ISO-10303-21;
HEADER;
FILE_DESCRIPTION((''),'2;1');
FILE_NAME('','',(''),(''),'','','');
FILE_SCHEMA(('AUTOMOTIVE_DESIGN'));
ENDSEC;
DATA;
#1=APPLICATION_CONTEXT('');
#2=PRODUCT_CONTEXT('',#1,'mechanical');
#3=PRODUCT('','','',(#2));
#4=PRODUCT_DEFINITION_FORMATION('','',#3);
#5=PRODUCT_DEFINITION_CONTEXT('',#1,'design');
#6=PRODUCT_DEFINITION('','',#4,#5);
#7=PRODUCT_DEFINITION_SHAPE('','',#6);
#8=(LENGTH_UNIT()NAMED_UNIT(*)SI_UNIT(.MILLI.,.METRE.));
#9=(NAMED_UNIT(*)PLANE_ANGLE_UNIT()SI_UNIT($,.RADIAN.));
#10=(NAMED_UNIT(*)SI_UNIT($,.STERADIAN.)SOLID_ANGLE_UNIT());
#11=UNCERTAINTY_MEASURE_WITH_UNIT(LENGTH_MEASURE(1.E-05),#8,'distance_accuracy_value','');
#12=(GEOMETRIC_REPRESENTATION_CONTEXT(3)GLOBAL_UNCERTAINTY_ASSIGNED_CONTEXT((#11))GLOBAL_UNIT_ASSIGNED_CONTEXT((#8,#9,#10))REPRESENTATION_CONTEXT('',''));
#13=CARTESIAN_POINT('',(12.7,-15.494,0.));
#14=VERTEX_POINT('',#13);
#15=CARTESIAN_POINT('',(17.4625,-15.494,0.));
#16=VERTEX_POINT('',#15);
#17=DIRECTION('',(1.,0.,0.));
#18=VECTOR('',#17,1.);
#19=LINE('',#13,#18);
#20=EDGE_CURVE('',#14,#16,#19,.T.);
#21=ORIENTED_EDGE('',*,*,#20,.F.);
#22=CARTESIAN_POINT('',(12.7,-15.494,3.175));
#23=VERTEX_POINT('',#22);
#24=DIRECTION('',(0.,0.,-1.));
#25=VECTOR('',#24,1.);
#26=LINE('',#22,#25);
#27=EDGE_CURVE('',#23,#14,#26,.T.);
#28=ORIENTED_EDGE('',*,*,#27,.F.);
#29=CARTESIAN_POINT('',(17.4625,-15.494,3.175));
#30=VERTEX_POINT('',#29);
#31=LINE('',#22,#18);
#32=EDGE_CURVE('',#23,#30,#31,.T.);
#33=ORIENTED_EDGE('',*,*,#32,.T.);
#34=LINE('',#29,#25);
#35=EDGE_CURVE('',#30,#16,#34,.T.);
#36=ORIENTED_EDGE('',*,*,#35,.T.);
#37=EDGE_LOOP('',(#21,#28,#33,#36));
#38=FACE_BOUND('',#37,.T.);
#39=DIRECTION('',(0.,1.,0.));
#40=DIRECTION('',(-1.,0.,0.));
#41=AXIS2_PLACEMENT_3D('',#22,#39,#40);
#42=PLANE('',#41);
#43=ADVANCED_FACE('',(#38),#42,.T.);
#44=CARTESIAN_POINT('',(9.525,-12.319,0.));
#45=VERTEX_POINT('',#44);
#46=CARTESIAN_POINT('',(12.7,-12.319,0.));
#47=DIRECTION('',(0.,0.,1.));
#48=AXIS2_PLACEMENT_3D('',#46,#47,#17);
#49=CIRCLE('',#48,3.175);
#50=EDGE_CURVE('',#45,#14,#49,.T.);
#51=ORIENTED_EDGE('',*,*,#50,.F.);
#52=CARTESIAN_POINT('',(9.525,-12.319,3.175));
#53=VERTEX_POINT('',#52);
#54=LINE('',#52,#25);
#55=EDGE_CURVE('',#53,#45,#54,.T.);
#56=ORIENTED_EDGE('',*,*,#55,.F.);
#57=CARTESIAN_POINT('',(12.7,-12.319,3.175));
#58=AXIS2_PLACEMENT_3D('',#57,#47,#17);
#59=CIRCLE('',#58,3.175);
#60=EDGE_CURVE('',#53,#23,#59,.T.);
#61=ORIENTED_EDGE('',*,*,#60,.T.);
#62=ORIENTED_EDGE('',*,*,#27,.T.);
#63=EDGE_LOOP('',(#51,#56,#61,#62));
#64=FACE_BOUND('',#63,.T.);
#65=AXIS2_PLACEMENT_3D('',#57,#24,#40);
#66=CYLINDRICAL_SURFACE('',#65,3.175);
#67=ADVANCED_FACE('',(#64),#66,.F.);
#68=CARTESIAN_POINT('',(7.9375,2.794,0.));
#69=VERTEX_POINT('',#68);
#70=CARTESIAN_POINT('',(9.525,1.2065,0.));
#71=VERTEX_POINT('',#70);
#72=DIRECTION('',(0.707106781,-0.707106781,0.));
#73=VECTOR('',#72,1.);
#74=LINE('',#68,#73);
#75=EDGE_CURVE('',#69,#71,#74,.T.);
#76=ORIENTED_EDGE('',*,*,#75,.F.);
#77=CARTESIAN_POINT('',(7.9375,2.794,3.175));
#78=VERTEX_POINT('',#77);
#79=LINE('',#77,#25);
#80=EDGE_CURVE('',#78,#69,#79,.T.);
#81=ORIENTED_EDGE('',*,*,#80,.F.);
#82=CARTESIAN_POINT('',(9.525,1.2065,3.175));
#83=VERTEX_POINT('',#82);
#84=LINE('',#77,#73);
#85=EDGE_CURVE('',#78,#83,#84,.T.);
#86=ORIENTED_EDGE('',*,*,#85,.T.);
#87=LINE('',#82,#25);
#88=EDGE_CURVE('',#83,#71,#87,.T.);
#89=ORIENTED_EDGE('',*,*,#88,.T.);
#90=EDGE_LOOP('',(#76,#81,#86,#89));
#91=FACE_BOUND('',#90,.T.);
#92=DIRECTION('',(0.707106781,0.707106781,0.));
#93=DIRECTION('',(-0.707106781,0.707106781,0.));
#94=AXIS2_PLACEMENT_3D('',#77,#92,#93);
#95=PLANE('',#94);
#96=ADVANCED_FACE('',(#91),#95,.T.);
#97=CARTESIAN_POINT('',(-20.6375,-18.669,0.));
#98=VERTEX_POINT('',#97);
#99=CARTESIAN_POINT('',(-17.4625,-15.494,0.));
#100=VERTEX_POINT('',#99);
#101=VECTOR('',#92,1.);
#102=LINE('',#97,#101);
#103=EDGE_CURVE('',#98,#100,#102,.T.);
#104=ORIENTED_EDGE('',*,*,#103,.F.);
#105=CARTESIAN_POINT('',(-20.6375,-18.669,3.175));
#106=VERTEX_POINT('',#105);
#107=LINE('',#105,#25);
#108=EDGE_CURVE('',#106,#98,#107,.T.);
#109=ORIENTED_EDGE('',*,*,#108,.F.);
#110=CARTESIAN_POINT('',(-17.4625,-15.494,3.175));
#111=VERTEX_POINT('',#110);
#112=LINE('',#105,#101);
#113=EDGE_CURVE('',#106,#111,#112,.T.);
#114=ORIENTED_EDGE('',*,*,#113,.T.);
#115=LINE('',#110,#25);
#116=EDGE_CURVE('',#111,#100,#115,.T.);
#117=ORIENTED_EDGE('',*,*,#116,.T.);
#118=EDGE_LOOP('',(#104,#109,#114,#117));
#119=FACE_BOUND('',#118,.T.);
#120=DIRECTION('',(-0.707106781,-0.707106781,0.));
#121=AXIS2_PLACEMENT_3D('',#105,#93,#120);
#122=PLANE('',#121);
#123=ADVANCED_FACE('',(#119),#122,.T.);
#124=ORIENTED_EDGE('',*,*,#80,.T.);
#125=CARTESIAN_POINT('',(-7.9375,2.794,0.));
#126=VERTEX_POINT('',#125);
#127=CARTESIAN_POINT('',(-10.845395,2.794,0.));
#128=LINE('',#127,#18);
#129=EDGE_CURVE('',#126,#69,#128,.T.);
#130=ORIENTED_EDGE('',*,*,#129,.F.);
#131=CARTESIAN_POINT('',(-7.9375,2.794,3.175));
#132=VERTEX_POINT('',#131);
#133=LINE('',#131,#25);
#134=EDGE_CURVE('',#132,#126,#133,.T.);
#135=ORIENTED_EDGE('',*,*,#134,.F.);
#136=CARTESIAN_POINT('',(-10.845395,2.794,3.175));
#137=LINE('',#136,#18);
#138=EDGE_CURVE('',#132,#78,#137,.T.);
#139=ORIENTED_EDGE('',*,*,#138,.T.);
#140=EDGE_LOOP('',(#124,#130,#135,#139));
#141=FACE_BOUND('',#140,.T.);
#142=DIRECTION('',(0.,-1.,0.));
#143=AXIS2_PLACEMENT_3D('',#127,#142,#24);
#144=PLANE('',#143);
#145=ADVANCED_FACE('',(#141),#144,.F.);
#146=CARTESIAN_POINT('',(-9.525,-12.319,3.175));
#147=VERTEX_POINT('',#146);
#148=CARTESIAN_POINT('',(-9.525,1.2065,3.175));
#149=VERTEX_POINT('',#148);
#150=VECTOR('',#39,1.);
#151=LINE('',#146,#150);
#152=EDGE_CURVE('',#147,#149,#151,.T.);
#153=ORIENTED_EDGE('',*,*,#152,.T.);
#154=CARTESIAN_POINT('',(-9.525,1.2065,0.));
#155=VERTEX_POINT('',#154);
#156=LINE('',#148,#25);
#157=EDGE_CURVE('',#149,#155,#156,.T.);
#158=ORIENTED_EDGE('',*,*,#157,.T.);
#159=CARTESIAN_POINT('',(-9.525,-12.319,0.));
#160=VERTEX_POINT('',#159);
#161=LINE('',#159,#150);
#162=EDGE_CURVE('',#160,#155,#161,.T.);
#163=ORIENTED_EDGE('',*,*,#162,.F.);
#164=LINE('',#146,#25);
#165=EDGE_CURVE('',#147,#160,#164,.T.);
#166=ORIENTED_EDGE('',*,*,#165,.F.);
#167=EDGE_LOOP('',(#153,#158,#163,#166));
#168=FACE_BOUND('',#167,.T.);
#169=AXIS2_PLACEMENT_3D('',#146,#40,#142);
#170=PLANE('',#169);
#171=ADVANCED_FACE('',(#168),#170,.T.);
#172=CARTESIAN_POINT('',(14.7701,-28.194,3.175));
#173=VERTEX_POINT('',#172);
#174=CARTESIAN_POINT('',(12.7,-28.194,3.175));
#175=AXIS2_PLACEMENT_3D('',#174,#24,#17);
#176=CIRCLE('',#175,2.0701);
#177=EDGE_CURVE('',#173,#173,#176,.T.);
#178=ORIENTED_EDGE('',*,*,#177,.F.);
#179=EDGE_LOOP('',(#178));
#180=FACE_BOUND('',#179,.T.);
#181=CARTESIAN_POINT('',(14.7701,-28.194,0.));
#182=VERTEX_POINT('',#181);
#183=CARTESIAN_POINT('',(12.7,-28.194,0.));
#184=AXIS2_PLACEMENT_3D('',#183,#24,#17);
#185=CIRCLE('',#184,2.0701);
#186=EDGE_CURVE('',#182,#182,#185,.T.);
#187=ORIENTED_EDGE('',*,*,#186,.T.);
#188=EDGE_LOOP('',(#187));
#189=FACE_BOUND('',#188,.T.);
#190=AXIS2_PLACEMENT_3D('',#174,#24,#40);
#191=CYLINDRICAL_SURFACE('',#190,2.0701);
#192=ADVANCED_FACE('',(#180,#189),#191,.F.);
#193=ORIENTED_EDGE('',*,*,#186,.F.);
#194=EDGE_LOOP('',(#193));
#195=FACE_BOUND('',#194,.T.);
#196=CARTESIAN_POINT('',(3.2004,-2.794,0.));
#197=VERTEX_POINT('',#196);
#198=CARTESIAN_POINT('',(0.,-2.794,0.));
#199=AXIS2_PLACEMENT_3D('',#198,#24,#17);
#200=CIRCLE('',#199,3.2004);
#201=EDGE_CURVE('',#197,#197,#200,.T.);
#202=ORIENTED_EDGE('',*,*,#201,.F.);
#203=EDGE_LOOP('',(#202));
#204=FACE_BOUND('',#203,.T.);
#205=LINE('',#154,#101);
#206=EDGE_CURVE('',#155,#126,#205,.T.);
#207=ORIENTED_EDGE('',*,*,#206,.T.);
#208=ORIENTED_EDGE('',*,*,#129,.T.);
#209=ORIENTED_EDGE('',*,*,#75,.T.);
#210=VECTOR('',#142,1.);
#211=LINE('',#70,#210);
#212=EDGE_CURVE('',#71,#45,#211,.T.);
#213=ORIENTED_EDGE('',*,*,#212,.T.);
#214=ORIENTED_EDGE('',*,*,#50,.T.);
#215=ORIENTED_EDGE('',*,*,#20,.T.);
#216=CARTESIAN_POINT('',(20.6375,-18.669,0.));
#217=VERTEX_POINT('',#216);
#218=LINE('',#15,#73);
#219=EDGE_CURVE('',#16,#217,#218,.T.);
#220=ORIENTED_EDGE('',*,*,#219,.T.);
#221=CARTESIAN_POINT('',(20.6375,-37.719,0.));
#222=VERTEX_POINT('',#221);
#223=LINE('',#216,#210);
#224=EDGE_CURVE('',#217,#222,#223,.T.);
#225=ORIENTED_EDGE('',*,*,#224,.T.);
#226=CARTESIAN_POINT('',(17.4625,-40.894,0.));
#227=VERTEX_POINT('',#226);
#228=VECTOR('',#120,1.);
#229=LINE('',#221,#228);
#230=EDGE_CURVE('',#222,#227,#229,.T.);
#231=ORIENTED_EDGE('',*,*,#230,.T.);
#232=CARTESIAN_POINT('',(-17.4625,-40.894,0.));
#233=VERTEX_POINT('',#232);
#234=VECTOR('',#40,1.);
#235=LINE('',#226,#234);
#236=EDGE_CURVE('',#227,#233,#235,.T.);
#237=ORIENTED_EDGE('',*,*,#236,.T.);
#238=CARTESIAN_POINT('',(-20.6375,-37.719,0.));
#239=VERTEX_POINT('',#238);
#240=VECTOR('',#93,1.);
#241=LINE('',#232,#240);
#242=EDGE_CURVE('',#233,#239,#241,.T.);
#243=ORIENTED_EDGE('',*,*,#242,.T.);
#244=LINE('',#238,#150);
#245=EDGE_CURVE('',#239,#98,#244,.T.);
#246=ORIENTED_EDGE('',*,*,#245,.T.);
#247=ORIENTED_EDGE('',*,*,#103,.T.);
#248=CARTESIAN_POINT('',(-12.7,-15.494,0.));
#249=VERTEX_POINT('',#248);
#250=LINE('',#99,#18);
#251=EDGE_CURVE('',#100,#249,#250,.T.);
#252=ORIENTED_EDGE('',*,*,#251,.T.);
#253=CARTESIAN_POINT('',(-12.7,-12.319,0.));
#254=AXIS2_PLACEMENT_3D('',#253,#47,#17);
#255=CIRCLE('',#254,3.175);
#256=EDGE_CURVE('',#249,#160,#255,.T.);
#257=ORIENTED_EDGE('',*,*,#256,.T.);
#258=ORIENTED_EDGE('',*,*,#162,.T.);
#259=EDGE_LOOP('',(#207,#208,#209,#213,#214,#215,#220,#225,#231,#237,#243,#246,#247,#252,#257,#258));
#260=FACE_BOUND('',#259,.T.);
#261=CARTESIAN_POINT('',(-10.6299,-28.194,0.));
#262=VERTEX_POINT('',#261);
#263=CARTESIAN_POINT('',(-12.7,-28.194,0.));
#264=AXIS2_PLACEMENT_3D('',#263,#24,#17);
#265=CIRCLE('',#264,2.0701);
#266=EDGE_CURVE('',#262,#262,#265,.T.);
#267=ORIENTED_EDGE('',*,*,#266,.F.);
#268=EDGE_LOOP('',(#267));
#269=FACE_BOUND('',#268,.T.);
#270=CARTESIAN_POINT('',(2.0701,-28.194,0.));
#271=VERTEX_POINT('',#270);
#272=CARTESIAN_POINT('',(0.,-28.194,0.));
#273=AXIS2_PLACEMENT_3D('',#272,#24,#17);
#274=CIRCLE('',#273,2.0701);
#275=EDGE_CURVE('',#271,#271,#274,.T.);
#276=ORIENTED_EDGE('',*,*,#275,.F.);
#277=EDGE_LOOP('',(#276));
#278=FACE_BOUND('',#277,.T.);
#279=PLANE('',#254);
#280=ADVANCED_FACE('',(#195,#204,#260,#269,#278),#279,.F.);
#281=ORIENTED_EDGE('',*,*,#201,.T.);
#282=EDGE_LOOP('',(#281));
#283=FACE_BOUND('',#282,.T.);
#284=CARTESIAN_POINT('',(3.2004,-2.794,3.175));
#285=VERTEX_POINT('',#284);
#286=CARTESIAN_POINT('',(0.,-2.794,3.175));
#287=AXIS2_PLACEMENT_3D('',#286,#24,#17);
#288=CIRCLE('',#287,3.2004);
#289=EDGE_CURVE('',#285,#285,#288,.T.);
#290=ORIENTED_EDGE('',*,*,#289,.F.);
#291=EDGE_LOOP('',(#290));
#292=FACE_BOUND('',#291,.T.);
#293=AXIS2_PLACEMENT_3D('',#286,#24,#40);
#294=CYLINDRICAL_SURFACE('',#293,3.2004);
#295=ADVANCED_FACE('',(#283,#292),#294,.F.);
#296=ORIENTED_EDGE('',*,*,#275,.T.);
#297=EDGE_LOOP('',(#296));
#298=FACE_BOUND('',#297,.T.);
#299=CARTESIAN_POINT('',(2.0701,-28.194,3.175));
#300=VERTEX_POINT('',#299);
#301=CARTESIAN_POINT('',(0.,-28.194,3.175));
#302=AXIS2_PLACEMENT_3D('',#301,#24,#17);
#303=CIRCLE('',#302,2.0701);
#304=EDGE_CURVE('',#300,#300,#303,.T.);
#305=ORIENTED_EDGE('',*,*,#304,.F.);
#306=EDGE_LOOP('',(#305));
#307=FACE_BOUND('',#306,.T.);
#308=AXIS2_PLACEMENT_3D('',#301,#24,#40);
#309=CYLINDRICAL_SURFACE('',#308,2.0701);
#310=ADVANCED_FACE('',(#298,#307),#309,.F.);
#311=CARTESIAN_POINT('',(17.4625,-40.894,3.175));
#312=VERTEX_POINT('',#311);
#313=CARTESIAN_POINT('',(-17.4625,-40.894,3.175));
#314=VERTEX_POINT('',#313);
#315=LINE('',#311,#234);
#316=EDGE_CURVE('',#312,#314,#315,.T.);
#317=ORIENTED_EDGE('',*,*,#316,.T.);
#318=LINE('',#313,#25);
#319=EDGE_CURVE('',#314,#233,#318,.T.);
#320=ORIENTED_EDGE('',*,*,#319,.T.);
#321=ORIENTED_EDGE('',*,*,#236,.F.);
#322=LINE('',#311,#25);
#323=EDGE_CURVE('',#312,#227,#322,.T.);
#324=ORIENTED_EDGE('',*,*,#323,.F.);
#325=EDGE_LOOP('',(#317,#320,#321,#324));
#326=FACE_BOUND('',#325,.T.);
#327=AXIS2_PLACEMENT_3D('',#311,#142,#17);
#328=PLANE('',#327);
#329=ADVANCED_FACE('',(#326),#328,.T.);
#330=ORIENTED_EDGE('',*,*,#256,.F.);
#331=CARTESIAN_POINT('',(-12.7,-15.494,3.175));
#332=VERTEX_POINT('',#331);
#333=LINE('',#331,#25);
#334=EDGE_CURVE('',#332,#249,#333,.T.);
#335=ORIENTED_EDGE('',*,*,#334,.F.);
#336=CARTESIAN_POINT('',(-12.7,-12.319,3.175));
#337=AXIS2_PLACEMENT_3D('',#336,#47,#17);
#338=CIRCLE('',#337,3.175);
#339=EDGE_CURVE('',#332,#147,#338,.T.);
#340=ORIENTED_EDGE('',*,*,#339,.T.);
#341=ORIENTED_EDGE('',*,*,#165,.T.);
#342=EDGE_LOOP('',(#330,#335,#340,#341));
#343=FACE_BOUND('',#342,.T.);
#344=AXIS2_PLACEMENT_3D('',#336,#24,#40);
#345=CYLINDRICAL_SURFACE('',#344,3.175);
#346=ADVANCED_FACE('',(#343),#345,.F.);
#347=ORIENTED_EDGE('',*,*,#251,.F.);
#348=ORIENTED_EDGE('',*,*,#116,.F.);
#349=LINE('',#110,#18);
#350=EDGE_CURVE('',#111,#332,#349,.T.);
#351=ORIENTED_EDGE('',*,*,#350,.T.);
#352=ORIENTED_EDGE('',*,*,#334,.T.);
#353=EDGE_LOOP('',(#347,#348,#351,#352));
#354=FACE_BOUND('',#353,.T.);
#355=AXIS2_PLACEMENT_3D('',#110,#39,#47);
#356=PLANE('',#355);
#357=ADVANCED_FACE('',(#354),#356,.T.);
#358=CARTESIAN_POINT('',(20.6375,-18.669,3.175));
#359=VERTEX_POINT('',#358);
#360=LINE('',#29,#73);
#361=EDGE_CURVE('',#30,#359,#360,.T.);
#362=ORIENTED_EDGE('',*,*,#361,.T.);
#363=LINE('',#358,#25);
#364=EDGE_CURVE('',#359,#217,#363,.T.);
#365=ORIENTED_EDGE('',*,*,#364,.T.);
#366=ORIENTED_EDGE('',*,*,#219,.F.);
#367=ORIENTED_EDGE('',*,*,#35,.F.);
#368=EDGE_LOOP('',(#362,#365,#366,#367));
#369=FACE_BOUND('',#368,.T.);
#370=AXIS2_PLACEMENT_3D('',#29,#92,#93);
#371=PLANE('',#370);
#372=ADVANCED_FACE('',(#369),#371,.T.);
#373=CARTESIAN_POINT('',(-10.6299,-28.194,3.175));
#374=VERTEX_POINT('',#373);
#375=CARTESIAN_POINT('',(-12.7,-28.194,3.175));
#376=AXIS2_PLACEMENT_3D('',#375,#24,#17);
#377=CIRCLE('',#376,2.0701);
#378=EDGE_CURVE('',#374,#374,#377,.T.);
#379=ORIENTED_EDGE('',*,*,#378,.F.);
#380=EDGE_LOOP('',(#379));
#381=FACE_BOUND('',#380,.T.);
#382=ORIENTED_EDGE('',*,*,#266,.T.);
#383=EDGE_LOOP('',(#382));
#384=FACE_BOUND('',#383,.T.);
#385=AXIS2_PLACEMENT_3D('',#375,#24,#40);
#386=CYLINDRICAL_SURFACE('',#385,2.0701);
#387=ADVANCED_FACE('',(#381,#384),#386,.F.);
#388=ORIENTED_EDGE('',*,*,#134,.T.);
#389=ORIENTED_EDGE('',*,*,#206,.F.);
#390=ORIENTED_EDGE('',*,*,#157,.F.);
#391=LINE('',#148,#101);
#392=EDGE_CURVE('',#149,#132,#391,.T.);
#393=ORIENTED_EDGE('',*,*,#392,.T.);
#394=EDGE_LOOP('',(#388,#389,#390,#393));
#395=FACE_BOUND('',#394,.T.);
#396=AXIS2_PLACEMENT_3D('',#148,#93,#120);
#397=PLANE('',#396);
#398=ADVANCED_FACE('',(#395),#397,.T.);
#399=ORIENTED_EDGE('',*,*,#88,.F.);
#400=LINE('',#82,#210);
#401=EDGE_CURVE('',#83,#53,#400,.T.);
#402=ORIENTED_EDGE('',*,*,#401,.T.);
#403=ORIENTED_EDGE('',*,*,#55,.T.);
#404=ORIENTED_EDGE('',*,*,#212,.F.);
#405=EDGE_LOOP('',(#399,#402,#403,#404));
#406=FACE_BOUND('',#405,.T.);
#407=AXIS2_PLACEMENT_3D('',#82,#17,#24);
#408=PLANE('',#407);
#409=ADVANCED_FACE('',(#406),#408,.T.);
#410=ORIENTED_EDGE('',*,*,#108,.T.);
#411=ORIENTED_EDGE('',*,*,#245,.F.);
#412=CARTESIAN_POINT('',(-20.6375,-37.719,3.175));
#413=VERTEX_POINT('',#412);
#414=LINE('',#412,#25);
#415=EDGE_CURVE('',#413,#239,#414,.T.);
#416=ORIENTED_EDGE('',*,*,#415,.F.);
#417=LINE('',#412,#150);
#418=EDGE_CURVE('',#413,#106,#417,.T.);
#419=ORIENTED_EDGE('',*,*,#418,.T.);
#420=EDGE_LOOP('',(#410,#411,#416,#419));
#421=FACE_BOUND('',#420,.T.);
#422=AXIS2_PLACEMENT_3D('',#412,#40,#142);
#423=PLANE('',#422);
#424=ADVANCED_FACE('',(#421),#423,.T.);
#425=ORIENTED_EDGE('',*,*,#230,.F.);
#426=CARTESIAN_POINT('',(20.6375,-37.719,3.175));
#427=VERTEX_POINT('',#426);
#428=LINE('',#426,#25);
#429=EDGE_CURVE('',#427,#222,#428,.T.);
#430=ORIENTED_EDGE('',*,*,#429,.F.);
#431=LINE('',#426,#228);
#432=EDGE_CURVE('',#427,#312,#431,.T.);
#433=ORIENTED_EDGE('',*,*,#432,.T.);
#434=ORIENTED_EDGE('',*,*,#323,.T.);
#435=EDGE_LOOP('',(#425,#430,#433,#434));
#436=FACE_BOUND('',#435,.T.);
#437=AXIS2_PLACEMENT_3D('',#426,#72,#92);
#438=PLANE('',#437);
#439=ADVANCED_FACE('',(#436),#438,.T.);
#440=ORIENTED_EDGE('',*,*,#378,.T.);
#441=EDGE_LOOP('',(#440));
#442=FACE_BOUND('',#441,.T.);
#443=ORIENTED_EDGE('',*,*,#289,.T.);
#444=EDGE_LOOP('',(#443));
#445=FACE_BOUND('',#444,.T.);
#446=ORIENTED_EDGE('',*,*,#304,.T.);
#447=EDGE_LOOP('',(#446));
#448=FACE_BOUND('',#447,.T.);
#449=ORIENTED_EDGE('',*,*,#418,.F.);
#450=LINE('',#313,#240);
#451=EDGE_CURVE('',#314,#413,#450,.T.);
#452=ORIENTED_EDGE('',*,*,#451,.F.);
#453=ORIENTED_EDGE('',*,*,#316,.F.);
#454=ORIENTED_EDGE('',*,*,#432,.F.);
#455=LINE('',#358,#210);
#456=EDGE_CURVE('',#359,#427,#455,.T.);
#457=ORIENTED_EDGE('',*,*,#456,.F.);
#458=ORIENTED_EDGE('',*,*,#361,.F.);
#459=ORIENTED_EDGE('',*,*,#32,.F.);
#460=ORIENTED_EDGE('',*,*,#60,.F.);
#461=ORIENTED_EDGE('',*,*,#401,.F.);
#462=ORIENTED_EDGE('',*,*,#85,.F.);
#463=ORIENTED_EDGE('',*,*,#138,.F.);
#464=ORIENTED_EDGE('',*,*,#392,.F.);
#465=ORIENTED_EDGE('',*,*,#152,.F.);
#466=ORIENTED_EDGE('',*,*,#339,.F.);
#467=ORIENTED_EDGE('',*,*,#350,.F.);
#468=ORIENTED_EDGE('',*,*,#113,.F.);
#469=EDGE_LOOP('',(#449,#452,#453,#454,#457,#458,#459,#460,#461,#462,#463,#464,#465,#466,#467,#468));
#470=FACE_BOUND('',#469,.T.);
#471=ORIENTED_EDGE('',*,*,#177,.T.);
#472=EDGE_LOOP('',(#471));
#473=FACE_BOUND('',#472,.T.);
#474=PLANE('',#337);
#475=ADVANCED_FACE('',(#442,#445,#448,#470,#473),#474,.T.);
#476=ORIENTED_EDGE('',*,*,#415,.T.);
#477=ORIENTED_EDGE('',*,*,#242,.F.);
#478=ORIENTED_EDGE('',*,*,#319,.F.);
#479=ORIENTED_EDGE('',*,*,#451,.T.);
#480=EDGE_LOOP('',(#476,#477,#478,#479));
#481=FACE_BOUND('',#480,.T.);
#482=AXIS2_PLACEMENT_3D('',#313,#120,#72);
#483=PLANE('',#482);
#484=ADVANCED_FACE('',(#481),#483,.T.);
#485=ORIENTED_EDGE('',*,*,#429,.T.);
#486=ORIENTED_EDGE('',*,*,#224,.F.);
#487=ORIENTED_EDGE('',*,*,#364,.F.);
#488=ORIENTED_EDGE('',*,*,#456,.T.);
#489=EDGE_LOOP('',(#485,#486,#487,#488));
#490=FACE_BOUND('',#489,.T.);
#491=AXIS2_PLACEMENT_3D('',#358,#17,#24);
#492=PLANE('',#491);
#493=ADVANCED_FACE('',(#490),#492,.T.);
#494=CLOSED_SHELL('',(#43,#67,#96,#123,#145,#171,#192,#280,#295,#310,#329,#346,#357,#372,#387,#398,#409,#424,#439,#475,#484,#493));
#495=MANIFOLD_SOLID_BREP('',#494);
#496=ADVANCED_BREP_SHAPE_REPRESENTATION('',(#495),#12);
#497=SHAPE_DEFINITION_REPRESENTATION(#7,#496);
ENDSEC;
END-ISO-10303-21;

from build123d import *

# Parameters (mm, degrees)
SKETCH1_R           = 3.2004
SKETCH1_R_2         = 2.0701
BOSS_EXTRUDE1_DEPTH = 3.175
SKETCH2_W           = 33.106994052
SKETCH2_H           = 45.21414564
CUT_EXTRUDE1_DEPTH  = 46.916296315


with BuildPart() as part:
    # Sketch1 → Boss-Extrude1 (new body)
    with BuildSketch(Plane(origin=(0, 0, 0), x_dir=(-1, 0, 0), z_dir=(0, 0, -1))):
        with BuildLine():
            Line((-17.4625, -15.494), (-20.6375, -18.669))
            Line((-20.6375, -18.669), (-20.6375, -37.719))
            Line((-20.6375, -37.719), (-17.4625, -40.894))
            Line((-17.4625, -40.894), (17.4625, -40.894))
            Line((17.4625, -40.894), (20.6375, -37.719))
            Line((20.6375, -37.719), (20.6375, -18.669))
            Line((20.6375, -18.669), (17.4625, -15.494))
            Line((17.4625, -15.494), (12.7, -15.494))
            ThreePointArc((12.7, -15.494), (10.45493597, -14.56406403), (9.525, -12.319))
            Line((9.525, -12.319), (9.525, 1.2065))
            Line((9.525, 1.2065), (7.9375, 2.794))
            Line((7.9375, 2.794), (9.525, 4.3815))
            Line((9.525, 4.3815), (9.525, 37.719))
            Line((9.525, 37.719), (6.35, 40.894))
            Line((6.35, 40.894), (-6.35, 40.894))
            Line((-6.35, 40.894), (-9.525, 37.719))
            Line((-9.525, 37.719), (-9.525, 4.3815))
            Line((-9.525, 4.3815), (-7.9375, 2.794))
            Line((-7.9375, 2.794), (-9.525, 1.2065))
            Line((-9.525, 1.2065), (-9.525, -12.319))
            ThreePointArc((-9.525, -12.319), (-10.45493597, -14.56406403), (-12.7, -15.494))
            Line((-12.7, -15.494), (-17.4625, -15.494))
        make_face()
        with Locations(Location((0, 35.306, 0), (0, 0, 180))):
            Circle(SKETCH1_R, mode=Mode.SUBTRACT)
        with Locations(Location((0, -2.794, 0), (0, 0, 180))):
            Circle(SKETCH1_R, mode=Mode.SUBTRACT)
        with Locations(Location((12.7, -28.194, 0), (0, 0, 180))):
            Circle(SKETCH1_R_2, mode=Mode.SUBTRACT)
        with Locations(Location((-12.7, -28.194, 0), (0, 0, 180))):
            Circle(SKETCH1_R_2, mode=Mode.SUBTRACT)
        with Locations(Location((0, -28.194, 0), (0, 0, 180))):
            Circle(SKETCH1_R_2, mode=Mode.SUBTRACT)
    extrude(amount=-BOSS_EXTRUDE1_DEPTH)

    # Sketch2 → Cut-Extrude1 (cut, through all)
    with BuildSketch(Plane.XY.offset(3.175)):
        with Locations((5.708102423, 25.40107282)):
            Rectangle(SKETCH2_W, SKETCH2_H)
    extrude(amount=-CUT_EXTRUDE1_DEPTH, mode=Mode.SUBTRACT)


solid = part.part
